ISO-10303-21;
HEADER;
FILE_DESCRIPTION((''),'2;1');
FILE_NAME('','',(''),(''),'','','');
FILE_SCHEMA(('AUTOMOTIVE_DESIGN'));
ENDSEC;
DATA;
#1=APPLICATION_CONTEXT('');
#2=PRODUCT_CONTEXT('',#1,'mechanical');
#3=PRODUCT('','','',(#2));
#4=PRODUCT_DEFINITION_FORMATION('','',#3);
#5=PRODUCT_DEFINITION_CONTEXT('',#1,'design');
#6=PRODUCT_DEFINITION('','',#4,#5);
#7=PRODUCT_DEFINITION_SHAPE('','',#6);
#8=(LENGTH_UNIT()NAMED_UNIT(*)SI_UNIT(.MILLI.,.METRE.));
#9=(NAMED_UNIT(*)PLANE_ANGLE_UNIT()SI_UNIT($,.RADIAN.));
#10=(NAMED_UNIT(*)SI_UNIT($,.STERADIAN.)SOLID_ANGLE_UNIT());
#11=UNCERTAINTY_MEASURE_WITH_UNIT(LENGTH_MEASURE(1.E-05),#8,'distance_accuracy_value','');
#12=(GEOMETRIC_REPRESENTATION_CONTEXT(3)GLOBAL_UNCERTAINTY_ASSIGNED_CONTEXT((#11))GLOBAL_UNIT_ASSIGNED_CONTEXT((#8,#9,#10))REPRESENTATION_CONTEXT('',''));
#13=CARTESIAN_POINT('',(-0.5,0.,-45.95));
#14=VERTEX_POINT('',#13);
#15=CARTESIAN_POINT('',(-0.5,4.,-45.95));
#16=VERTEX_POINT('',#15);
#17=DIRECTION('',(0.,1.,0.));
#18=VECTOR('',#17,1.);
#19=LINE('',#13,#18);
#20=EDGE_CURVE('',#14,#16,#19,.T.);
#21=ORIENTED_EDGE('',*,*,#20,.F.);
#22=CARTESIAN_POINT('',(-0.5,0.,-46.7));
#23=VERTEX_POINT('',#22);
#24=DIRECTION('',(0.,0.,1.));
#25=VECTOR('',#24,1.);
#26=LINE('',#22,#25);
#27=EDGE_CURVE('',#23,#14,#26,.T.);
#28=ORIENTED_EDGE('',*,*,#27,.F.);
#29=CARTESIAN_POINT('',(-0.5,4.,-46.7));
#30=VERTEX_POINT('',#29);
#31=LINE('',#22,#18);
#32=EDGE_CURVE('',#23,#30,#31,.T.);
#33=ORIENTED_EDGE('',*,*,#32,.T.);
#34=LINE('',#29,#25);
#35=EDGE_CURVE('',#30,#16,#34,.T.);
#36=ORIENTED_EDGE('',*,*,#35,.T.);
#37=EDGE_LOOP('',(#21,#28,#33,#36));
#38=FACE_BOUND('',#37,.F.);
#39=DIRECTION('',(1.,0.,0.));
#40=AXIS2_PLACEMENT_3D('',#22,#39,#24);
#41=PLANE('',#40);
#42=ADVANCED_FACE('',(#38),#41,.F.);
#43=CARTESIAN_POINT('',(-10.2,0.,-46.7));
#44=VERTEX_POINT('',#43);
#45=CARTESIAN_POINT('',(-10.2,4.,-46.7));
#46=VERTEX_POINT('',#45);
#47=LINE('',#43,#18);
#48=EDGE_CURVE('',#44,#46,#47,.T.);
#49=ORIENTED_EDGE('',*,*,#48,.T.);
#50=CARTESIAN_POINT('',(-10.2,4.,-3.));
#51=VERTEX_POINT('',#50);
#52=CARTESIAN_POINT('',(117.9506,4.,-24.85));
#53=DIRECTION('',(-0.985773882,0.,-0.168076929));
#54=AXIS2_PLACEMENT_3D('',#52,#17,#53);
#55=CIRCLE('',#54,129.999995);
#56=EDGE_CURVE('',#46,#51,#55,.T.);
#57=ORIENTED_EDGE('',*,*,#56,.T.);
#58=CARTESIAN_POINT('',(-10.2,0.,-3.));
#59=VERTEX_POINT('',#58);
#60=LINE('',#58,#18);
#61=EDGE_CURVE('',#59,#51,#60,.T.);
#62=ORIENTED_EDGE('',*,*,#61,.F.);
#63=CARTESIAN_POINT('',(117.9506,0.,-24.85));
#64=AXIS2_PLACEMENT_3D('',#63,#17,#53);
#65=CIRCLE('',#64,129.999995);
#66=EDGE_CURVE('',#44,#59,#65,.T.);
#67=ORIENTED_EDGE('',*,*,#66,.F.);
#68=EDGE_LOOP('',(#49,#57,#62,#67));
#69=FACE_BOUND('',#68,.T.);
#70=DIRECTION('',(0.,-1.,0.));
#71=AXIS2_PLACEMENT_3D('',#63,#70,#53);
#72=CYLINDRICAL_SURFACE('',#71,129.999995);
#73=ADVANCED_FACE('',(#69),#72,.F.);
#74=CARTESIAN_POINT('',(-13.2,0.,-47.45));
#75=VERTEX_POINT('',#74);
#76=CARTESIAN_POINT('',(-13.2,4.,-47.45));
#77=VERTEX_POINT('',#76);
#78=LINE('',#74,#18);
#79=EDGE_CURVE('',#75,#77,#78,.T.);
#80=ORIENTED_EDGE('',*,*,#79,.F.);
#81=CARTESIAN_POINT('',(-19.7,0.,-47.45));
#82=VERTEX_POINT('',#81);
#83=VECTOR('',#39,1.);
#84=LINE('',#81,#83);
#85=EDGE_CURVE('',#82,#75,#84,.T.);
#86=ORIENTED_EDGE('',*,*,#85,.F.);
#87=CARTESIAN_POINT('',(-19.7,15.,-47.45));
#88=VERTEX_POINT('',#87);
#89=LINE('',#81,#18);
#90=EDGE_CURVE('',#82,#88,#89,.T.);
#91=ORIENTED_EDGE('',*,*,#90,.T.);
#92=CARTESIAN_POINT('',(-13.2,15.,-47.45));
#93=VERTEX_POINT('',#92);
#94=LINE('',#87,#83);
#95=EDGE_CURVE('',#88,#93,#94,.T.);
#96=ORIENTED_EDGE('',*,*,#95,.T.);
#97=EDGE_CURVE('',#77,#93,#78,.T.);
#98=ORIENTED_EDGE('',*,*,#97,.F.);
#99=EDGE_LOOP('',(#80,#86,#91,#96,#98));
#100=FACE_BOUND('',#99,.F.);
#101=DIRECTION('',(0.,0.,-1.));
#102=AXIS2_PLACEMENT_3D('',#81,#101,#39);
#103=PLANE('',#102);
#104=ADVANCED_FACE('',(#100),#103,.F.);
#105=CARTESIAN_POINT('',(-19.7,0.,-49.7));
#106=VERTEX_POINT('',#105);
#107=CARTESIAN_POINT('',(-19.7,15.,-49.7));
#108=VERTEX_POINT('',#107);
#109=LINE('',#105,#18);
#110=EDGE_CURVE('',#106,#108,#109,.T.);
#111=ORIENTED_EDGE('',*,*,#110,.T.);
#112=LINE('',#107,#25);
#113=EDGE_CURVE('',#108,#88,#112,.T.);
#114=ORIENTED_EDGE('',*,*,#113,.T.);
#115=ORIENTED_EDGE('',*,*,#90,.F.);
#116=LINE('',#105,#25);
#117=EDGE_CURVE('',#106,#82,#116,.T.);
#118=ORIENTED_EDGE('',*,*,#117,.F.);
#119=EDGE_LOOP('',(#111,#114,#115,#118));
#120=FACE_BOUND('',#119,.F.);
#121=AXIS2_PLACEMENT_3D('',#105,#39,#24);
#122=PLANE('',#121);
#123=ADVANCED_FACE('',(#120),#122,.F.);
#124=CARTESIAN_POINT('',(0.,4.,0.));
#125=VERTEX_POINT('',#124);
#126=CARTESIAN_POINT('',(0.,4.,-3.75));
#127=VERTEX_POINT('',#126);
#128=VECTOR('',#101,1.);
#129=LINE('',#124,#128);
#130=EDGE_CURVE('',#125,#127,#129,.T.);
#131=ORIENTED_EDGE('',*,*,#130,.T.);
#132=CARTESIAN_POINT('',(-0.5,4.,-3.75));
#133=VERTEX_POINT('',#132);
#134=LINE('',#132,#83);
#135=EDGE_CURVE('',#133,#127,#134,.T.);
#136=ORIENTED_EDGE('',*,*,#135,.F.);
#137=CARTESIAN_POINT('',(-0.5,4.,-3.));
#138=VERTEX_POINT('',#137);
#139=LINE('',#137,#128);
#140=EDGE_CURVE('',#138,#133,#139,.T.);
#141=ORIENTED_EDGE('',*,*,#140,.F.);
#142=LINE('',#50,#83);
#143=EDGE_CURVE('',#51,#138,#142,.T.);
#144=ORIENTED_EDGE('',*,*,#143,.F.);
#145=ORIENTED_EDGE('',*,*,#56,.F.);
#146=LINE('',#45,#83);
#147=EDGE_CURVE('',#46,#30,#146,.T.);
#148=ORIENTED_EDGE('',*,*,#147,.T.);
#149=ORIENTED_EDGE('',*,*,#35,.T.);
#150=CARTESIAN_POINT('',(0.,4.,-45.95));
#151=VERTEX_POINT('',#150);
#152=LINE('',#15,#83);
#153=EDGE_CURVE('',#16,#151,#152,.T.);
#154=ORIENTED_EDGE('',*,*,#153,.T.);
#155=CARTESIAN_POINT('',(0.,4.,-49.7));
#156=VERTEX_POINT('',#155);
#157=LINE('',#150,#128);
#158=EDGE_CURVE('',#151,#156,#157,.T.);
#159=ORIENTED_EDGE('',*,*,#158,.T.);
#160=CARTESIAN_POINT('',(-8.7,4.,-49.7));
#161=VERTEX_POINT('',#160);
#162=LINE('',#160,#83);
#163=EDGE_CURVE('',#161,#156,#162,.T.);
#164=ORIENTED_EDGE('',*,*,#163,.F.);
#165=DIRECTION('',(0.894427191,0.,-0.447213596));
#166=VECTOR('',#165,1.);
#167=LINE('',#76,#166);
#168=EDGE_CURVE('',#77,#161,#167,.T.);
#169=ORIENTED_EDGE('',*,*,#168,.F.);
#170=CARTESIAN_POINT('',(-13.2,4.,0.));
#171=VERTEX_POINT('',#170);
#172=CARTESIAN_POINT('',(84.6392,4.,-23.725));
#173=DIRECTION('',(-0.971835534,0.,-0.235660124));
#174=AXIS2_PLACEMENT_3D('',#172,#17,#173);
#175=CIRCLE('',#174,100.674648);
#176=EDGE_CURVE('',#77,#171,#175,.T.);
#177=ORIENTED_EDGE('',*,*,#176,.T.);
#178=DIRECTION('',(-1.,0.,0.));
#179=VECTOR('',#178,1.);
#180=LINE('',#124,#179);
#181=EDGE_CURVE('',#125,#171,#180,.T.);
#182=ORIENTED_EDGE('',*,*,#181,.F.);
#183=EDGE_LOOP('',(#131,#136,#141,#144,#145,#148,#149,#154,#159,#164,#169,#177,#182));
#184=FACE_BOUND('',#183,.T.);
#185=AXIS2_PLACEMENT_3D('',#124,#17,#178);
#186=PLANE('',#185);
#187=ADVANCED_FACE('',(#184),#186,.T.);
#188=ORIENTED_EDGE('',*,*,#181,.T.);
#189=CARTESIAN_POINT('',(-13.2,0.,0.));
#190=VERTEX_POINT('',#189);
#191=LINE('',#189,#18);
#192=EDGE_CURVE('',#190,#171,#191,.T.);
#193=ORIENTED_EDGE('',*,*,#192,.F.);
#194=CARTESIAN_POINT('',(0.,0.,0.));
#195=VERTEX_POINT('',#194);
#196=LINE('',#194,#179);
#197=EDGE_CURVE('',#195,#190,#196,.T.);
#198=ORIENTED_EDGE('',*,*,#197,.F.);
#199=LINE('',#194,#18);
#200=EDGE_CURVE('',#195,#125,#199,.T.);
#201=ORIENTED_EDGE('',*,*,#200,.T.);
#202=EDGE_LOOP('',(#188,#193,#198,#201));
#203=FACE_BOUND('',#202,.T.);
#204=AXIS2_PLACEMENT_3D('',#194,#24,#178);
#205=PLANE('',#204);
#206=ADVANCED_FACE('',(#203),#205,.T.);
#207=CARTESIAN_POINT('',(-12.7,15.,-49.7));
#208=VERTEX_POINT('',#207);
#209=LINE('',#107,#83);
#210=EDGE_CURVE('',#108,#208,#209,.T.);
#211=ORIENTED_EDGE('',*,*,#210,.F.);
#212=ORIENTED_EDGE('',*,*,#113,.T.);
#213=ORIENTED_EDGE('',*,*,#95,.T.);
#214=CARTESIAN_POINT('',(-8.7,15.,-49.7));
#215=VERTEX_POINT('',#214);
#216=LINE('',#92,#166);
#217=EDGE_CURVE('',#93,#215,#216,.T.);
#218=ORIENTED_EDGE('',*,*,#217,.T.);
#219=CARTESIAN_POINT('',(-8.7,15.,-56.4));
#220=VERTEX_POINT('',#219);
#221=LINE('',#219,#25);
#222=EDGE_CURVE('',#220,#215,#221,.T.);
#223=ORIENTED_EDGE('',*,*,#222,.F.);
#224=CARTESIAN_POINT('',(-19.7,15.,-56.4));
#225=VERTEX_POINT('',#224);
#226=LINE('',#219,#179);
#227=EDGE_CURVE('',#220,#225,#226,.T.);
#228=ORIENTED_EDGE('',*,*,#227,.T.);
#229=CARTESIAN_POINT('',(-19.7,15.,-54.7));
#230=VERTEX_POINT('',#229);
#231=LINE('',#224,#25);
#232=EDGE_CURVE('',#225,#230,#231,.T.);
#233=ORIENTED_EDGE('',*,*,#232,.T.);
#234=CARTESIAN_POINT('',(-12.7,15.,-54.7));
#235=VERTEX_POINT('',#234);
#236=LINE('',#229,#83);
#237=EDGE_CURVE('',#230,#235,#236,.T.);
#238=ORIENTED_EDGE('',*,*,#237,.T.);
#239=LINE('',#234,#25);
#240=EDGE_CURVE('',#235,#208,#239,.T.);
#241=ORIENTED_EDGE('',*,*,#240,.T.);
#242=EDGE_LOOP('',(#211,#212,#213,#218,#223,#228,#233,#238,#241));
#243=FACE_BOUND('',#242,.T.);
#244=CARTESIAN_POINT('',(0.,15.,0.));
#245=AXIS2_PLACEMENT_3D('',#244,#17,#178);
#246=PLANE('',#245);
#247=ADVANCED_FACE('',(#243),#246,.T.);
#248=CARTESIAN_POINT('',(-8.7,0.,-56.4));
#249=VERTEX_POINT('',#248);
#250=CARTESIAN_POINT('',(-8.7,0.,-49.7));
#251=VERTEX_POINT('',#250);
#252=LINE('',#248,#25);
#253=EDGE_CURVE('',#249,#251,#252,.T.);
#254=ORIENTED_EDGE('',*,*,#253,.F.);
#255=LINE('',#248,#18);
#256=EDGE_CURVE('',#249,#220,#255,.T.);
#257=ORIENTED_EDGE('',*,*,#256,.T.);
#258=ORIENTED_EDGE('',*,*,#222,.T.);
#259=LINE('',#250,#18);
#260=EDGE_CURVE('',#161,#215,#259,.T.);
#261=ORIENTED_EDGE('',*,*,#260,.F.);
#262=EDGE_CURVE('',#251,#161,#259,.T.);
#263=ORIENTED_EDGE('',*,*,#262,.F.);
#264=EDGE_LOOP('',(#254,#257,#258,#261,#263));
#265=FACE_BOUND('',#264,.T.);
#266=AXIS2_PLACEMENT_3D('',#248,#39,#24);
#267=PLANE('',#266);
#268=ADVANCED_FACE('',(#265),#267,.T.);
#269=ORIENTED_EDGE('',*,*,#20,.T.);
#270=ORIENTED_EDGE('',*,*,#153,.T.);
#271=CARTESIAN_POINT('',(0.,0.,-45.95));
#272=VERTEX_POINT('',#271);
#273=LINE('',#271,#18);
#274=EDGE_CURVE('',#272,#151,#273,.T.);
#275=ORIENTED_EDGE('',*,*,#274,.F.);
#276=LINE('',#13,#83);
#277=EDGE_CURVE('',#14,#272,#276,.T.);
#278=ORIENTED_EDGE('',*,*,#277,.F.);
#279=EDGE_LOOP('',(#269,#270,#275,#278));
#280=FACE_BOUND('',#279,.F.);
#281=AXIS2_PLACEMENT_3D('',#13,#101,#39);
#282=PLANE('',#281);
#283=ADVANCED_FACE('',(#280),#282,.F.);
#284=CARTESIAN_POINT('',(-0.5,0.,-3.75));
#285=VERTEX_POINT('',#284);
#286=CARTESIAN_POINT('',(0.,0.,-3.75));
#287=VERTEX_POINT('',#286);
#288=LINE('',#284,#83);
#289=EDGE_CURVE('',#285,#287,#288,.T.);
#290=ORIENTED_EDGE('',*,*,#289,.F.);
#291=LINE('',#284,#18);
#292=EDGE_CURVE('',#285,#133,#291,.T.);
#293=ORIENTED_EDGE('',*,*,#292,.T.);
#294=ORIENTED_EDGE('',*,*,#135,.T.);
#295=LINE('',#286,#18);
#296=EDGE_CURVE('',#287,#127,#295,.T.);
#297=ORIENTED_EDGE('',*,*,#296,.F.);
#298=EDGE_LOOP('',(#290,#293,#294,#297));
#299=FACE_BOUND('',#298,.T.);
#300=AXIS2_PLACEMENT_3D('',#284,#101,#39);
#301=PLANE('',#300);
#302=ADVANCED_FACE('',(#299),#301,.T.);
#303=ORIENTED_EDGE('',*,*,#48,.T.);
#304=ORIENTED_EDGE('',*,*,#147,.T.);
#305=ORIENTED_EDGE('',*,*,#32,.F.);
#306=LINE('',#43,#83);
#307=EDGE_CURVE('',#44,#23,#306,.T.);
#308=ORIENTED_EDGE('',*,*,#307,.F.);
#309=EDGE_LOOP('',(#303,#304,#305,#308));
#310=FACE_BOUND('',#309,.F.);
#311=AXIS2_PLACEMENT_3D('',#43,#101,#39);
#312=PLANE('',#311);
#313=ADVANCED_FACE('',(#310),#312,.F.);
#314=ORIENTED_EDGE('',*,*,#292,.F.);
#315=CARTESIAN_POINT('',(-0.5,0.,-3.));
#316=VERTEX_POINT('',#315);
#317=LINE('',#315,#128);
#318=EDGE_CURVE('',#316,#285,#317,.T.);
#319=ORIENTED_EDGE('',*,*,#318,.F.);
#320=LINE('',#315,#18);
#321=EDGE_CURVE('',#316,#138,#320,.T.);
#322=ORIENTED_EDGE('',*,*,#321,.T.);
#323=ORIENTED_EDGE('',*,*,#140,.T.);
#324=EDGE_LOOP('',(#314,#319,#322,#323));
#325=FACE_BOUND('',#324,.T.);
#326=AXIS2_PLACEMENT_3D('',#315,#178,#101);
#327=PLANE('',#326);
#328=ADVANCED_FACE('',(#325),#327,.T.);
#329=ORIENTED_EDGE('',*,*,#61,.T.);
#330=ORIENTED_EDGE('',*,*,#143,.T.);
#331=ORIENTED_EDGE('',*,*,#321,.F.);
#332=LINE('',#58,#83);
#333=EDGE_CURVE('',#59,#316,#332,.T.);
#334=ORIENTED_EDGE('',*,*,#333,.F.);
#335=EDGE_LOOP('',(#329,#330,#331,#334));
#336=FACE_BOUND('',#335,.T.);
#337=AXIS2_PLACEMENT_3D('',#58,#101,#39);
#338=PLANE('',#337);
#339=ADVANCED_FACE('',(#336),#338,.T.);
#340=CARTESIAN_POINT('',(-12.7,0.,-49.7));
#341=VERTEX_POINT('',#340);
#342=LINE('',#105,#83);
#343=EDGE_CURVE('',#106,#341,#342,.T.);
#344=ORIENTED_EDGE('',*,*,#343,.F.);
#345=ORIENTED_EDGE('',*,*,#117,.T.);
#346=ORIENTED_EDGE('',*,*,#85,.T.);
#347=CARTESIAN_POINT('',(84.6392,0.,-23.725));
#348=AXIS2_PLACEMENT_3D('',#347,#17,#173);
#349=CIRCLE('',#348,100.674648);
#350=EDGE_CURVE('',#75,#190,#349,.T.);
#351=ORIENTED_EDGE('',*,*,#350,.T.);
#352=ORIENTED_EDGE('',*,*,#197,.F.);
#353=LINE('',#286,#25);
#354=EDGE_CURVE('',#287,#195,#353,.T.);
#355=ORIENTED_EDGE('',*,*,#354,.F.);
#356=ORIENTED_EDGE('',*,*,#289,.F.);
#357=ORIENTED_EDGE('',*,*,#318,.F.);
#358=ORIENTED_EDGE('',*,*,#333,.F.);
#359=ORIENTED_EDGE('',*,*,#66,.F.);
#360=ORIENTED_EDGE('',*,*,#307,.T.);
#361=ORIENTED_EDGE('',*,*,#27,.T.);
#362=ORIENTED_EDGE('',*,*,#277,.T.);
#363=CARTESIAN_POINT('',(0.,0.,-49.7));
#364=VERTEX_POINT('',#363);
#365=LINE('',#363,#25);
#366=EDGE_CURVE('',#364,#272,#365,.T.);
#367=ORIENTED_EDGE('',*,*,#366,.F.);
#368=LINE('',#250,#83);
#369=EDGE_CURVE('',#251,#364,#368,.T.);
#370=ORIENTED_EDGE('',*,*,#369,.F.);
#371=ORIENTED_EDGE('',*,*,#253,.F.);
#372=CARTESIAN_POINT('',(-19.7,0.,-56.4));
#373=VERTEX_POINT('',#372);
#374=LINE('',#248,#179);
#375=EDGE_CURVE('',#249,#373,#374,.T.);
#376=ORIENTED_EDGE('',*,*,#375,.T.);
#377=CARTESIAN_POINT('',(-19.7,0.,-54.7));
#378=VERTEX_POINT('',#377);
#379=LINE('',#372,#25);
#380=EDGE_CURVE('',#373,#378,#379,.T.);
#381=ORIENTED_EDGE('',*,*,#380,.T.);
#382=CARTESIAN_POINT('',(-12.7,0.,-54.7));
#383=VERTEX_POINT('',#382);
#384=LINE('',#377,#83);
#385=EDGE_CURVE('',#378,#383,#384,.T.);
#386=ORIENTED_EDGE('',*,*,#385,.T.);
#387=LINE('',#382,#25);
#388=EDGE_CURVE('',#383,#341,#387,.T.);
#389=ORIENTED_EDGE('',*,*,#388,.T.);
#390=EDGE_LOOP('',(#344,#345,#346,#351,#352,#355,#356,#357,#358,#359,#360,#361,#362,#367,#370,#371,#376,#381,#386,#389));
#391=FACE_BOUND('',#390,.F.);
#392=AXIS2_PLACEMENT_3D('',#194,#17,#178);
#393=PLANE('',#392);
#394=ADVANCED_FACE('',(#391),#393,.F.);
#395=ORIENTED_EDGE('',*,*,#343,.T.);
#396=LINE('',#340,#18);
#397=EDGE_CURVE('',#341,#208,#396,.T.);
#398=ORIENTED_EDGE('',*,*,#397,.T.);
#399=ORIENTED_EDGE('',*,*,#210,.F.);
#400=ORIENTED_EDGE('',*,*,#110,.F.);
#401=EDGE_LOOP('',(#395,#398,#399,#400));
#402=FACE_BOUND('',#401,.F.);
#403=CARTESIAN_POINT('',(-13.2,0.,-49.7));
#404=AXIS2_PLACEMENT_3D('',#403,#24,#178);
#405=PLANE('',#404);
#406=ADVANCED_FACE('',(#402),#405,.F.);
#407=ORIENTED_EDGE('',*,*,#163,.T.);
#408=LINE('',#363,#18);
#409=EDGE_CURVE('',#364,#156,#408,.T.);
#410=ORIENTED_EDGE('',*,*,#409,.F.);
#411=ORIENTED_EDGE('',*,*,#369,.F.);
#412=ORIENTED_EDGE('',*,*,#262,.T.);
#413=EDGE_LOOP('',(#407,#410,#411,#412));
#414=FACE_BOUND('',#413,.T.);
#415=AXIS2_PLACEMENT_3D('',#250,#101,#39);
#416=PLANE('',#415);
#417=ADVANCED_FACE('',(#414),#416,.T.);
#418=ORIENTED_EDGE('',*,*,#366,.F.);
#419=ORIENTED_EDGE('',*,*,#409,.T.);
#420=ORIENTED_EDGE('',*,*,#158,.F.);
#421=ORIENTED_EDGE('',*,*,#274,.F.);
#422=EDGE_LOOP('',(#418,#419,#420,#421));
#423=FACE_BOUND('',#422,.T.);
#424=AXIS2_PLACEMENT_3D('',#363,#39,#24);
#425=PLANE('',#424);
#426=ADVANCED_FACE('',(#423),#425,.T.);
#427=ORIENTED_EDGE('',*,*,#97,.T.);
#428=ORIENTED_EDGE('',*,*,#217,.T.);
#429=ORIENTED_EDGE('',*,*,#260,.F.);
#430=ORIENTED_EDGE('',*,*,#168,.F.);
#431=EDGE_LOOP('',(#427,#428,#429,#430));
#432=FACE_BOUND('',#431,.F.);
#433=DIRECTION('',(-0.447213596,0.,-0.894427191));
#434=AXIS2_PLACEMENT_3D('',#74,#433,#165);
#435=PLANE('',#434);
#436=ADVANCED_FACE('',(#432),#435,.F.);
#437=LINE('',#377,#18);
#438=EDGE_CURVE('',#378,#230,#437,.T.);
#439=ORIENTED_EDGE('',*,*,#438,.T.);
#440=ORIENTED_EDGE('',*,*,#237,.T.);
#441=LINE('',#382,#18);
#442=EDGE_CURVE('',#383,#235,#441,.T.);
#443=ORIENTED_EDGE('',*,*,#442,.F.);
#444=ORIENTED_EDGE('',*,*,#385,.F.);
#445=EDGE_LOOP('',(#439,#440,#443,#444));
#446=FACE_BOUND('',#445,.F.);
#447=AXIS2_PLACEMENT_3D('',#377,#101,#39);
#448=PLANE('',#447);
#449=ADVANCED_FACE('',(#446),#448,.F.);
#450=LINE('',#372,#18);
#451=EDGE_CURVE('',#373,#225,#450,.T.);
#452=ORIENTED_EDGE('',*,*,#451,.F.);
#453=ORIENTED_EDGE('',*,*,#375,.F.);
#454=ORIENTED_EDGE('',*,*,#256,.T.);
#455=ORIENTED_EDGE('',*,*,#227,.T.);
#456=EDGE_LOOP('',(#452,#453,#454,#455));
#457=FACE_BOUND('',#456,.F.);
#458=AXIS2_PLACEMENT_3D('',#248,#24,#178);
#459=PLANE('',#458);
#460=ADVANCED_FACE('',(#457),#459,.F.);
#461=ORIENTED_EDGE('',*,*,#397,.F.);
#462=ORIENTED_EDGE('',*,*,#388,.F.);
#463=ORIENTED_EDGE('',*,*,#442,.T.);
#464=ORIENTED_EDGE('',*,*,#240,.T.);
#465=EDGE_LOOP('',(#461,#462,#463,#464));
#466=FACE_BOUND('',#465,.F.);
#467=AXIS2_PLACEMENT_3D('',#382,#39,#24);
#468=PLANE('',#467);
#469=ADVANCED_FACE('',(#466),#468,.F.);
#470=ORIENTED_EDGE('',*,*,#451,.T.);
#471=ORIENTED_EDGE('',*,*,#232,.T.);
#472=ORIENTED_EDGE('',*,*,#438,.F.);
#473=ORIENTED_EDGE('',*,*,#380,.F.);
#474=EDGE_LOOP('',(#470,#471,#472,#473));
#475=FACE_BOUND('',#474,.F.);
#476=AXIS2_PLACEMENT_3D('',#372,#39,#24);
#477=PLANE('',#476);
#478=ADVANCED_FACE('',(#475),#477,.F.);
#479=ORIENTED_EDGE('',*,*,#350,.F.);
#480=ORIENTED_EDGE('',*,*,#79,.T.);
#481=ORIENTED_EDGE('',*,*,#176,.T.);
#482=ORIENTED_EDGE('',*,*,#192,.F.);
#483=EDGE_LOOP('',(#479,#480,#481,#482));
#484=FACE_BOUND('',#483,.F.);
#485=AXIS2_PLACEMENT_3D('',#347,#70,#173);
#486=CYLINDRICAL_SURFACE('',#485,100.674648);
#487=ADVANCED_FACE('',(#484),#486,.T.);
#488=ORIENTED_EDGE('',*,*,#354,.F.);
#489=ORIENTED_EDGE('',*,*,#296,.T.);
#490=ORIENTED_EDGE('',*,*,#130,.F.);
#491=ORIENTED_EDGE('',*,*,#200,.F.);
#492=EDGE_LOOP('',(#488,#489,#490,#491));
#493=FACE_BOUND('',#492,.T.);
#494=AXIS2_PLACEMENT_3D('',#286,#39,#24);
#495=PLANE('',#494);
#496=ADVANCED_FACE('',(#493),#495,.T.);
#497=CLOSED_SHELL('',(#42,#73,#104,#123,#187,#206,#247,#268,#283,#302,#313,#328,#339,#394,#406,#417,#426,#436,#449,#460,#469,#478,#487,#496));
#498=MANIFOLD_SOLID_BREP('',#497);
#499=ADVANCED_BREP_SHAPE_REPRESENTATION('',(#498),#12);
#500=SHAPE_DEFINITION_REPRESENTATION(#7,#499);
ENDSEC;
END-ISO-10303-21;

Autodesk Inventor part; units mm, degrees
ref_plane "YZ Plane" through (0, 0, 0) normal (1, 0, 0) x (0, 1, 0)
ref_plane "XZ Plane" through (0, 0, 0) normal (0, 1, 0) x (-1, 0, 0)
ref_plane "XY Plane" through (0, 0, 0) normal (0, 0, 1) x (1, 0, 0)
sketch "Sketch1" plane through (0, 0, 0) normal (0, 1, 0) x (-1, 0, 0)
  line L0 (10.2, -3) -> (10.2, -46.7)
  line L1 (10.2, -46.7) -> (0.5, -46.7)
  line L2 (0.5, -46.7) -> (0.5, -45.95)
  line L3 (0.5, -45.95) -> (0, -45.95)
  line L4 (0, -45.95) -> (0, -46.7)
  line L5 (0.5, -3) -> (0.5, -3.75)
  line L6 (0.5, -3.75) -> (0, -3.75)
  line L7 (0, -3.75) -> (0, -3)
  line L8 (0, -3) -> (0, 0)
  line L9 (0, 0) -> (13.2, 0)
  line L10 (0, -49.7) -> (0, -46.7)
  line L11 (10.2, -3) -> (0.5, -3)
  line L12 (8.7, -56.4) -> (19.7, -56.4)
  line L13 (19.7, -56.4) -> (19.7, -54.7)
  line L14 (19.7, -54.7) -> (12.7, -54.7)
  line L15 (12.7, -54.7) -> (12.7, -49.7)
  line L16 (12.7, -49.7) -> (13.2, -49.7)
  line L17 (19.7, -49.7) -> (19.7, -47.45)
  line L18 (19.7, -47.45) -> (13.2, -47.45)
  line L19 (8.7, -56.4) -> (8.7, -49.7)
  arc A0 (10.2, -46.7) -> (10.2, -3) centre (-117.9506, -24.85) ccw
  line L20 (13.2, -49.7) -> (19.7, -49.7)
  line L21 (12.7, -49.7) -> (12.7, -49.7)
  line L22 (8.7, -49.7) -> (0, -49.7)
  line L23 (13.2, -47.45) -> (8.7, -49.7)
  arc A1 (13.2, -47.45) -> (13.2, 0) centre (-84.6392, -23.725) ccw
  point P0 (0, 0)
  dimension "d1" = 9.7
  dimension "d2" = 0.75
  dimension "d3" = 0.5
  dimension "d6" = 0.5
  dimension "d10" = 43.7
  dimension "d13" = 0.75
  dimension "d14" = 3
  dimension "d16" = 5
  dimension "d19" = 7
  dimension "d30" = 2.25
  dimension "d31" = 1.7
  dimension "d34" = 2.25
  dimension "d37" = 4
  dimension "d38" = 100.6746
  dimension "d39" = 130
extrude "Extrusion4" add sketch "Sketch1" along normal blind 4 contours L11 L5 L6 L7 L8 L9 A1 L23 L22 L10 L4 L3 L2 L1 A0
extrude "Extrusion5" add sketch "Sketch1" along normal blind 15 contours L23 L18 L17 L20 L16 L15 L14 L13 L12 L19
properties part number "LeftClip"
